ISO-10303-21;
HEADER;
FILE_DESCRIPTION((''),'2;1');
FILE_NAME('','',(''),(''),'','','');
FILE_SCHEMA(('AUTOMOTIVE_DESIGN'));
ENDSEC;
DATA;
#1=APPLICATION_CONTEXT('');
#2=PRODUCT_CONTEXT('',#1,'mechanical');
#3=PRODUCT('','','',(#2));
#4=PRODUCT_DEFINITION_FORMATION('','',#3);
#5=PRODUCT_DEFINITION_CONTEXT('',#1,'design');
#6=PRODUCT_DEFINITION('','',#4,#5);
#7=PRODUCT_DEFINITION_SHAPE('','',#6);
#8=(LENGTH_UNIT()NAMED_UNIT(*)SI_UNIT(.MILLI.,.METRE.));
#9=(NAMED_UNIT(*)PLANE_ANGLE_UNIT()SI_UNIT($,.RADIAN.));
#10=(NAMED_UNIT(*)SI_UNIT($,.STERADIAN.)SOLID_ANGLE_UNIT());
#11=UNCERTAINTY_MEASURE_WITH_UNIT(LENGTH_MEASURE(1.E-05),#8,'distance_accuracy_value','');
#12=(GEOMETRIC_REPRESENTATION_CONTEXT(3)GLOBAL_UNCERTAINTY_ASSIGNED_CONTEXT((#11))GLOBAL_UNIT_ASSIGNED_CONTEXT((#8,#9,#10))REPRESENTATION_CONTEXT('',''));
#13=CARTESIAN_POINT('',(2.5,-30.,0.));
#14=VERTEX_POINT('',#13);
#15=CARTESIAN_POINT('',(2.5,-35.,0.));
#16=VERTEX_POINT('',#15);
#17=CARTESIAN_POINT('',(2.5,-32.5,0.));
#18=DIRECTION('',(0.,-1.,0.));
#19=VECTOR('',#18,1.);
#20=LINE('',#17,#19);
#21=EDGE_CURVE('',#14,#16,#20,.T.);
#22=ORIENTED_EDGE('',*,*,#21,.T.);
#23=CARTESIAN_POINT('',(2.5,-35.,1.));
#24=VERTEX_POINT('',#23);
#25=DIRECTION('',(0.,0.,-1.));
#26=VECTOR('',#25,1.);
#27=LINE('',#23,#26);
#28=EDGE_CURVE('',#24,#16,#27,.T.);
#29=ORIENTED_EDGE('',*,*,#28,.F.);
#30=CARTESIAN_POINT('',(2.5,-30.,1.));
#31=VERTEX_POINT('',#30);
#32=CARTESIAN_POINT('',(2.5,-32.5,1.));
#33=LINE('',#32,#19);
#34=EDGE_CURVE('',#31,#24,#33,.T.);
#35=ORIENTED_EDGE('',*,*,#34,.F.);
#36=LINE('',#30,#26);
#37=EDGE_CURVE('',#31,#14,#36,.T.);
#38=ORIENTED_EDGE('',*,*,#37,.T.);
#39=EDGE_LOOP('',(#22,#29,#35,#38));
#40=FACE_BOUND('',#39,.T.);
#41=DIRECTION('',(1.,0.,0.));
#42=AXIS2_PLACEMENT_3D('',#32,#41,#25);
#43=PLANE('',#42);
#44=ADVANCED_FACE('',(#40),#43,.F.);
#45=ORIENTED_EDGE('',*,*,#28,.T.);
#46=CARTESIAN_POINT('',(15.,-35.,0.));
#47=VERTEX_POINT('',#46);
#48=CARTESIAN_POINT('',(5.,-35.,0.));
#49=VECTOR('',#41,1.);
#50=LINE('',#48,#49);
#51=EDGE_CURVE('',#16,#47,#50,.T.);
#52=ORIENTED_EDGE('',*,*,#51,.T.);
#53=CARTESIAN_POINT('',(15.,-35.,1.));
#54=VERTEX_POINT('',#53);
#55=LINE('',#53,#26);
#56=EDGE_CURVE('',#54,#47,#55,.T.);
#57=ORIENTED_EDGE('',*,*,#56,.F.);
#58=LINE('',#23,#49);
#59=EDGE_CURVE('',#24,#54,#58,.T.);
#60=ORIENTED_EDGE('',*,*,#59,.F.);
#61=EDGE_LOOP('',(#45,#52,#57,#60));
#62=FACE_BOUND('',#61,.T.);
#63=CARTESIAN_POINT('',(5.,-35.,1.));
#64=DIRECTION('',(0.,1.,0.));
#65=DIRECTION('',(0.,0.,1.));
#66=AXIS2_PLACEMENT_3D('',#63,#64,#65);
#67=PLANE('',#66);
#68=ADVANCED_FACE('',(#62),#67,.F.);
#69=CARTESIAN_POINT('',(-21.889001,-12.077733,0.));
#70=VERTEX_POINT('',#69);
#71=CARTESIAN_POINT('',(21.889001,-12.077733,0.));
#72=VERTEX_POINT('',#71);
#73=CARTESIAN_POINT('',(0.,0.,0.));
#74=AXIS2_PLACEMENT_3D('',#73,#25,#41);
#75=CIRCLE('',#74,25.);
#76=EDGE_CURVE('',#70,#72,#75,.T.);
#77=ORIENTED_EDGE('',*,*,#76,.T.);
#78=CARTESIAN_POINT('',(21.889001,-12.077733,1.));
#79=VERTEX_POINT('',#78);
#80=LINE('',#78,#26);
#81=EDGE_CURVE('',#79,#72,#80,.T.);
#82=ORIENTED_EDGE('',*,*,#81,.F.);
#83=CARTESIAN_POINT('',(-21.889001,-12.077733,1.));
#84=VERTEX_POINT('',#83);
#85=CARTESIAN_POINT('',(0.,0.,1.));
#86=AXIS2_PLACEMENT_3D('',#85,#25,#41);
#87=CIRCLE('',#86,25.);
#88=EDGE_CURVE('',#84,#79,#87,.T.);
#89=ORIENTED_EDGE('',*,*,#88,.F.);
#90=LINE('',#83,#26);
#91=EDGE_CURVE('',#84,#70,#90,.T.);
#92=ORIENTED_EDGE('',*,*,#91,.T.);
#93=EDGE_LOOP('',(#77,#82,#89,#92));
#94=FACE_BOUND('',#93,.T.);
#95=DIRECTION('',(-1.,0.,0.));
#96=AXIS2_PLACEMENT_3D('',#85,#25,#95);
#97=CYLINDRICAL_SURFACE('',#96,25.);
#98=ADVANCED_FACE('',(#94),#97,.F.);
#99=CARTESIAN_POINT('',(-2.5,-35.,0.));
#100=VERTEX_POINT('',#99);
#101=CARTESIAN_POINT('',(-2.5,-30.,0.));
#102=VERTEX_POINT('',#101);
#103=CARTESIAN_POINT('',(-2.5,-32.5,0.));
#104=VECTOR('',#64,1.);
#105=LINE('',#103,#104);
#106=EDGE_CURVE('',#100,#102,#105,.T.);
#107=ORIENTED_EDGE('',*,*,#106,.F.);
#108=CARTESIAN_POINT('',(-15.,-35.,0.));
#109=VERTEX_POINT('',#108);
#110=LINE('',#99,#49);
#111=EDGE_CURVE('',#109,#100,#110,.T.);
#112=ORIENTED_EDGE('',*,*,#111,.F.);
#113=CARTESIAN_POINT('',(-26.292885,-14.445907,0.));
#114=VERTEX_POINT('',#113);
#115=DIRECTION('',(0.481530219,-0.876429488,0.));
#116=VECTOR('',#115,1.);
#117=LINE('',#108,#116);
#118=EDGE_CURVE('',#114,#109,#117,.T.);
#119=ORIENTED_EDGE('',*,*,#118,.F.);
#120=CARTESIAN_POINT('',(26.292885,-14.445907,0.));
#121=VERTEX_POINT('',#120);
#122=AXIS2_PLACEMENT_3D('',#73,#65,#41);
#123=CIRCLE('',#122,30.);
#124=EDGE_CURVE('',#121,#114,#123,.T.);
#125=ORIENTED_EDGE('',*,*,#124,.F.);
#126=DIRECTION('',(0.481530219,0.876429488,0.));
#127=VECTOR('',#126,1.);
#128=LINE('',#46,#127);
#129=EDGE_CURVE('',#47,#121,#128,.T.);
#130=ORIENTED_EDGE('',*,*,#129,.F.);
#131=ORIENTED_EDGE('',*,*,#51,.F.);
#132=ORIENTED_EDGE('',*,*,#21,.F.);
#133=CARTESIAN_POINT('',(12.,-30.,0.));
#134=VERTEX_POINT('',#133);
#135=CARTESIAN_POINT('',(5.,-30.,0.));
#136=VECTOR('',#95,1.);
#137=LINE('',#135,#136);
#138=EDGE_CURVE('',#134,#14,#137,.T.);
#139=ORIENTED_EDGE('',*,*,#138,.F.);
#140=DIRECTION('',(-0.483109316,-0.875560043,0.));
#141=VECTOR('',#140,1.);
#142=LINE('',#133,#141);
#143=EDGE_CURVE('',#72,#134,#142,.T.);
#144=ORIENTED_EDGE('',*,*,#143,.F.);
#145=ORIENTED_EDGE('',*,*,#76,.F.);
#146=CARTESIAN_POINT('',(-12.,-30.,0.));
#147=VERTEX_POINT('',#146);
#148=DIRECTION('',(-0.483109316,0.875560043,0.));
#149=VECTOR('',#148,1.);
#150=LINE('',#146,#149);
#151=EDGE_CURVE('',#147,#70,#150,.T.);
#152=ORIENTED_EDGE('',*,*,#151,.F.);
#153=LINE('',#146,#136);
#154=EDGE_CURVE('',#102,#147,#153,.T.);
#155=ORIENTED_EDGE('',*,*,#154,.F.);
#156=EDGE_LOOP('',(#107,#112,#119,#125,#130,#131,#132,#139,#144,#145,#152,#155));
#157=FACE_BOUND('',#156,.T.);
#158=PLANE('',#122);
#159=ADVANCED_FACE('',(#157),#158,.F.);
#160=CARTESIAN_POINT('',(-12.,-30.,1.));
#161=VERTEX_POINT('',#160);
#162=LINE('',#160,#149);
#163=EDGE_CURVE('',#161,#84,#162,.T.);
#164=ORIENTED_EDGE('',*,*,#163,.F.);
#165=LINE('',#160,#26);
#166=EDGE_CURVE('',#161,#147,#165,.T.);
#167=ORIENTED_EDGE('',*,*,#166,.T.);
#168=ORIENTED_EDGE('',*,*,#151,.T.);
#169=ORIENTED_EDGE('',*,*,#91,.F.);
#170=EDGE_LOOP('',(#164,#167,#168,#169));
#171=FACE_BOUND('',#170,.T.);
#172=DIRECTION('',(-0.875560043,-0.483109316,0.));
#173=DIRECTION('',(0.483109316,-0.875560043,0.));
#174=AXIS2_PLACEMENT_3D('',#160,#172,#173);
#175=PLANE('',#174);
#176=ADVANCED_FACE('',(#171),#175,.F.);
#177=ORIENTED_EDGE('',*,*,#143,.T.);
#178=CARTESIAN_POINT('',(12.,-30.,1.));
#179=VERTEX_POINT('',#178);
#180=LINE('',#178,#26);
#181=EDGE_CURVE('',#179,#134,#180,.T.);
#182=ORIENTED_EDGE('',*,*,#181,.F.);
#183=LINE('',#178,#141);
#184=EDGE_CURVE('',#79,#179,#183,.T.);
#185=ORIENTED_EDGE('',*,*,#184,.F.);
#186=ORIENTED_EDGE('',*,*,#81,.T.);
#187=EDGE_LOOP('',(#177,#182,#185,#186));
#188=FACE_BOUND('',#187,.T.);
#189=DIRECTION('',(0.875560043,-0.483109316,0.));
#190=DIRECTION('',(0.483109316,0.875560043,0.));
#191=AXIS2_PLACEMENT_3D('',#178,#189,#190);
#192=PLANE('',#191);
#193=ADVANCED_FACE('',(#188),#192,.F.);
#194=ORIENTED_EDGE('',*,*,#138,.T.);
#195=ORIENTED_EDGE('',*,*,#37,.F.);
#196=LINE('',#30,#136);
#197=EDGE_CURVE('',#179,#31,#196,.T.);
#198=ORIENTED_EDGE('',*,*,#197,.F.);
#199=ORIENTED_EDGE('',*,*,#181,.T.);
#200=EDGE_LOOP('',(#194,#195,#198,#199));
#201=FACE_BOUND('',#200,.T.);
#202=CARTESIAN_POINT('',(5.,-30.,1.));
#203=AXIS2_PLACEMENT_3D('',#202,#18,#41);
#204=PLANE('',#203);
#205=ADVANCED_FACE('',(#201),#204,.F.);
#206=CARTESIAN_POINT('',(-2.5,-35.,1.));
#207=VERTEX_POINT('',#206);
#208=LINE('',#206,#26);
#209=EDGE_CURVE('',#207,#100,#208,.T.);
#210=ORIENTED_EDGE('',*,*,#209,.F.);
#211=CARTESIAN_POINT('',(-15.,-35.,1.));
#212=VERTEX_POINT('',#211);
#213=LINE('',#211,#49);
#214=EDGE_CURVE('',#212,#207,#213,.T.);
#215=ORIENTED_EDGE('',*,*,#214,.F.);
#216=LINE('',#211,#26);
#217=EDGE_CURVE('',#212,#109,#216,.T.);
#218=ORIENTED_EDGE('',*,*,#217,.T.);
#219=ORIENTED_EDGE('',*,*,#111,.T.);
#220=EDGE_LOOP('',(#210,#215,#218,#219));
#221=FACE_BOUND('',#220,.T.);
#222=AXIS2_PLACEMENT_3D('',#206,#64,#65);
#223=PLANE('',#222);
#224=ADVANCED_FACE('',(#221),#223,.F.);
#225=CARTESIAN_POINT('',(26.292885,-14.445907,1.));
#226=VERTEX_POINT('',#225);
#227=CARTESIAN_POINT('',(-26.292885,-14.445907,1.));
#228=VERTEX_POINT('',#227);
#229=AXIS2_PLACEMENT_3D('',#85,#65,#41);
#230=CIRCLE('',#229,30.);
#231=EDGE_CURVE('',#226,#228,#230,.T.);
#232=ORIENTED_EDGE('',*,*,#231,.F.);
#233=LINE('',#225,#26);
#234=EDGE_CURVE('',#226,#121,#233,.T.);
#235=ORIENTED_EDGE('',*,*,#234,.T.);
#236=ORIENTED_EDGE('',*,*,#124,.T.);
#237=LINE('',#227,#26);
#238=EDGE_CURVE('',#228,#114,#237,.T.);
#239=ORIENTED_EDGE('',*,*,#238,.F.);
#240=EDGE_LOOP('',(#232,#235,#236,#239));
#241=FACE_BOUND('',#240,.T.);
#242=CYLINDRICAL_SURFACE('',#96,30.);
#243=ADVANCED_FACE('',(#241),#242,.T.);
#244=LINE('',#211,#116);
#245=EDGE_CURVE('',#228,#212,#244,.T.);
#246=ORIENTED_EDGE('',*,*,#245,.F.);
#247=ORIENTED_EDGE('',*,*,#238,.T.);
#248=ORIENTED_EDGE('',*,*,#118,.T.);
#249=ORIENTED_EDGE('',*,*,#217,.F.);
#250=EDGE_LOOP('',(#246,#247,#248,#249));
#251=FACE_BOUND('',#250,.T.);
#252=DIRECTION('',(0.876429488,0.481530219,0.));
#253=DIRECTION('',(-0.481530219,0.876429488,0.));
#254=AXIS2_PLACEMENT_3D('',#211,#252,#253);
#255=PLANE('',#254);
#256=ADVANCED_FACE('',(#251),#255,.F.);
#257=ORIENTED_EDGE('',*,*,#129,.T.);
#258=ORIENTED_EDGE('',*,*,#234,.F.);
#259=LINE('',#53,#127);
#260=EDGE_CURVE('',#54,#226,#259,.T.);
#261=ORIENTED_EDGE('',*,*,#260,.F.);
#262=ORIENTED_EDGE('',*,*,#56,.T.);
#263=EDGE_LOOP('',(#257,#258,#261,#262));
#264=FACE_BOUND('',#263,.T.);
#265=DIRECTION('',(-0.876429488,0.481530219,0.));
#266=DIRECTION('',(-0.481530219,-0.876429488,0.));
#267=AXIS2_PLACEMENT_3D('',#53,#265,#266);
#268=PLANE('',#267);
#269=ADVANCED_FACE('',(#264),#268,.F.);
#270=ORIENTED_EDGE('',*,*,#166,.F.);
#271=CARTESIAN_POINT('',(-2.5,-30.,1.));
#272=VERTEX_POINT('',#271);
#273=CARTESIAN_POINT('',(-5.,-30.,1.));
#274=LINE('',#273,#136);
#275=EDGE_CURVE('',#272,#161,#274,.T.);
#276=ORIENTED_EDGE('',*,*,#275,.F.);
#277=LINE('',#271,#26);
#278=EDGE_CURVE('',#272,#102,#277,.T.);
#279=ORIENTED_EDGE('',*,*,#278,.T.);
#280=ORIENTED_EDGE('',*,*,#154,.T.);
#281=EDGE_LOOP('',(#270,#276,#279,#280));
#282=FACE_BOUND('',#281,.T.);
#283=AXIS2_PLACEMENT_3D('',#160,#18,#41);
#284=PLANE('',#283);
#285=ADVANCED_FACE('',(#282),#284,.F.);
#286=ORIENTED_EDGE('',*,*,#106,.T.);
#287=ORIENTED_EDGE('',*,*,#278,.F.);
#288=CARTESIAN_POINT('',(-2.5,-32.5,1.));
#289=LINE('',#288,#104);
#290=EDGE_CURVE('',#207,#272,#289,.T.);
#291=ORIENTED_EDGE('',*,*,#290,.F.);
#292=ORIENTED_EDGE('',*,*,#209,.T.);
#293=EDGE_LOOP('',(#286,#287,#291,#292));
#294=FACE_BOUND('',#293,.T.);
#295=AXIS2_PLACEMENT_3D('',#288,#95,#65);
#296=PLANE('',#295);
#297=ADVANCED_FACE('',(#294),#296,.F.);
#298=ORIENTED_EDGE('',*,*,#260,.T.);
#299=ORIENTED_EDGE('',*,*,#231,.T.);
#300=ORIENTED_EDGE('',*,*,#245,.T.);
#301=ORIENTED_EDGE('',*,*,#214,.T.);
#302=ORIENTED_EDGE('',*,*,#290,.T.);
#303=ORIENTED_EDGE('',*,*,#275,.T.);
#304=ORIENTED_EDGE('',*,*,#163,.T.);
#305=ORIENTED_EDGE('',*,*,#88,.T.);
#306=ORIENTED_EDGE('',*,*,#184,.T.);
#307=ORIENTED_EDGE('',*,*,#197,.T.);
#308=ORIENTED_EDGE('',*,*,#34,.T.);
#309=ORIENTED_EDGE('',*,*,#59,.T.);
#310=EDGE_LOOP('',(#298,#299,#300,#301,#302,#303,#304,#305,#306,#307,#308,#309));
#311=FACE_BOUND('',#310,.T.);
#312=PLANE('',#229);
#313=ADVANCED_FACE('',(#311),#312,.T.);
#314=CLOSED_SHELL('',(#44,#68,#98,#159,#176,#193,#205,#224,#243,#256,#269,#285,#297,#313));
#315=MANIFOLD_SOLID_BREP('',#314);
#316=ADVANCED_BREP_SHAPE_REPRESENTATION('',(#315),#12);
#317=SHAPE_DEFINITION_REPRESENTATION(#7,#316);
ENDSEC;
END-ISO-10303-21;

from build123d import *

# Parameters (mm, degrees)
RESSALTO_EXTRUS_O3_DEPTH = 1


with BuildPart() as part:
    # Esboço1 → Ressalto-extrusão3 (new body)
    with BuildSketch(Plane.XY):
        with BuildLine():
            Line((5, -35), (15, -35))
            Line((15, -35), (26.292884648, -14.44590658))
            ThreePointArc((26.292884648, -14.44590658), (0, 30), (-26.292884648, -14.44590658))
            Line((-26.292884648, -14.44590658), (-15, -35))
            Line((-15, -35), (-5, -35))
            Line((-5, -35), (-2.5, -35))
            Line((-2.5, -35), (-2.5, -32.5))
            Line((-2.5, -32.5), (-2.5, -30))
            Line((-2.5, -30), (-5, -30))
            Line((-5, -30), (-12, -30))
            Line((-12, -30), (-21.889001071, -12.077732905))
            ThreePointArc((-21.889001071, -12.077732905), (0, 25), (21.889001071, -12.077732905))
            Line((21.889001071, -12.077732905), (12, -30))
            Line((12, -30), (5, -30))
            Line((5, -30), (2.5, -30))
            Line((2.5, -30), (2.5, -32.5))
            Line((2.5, -32.5), (2.5, -35))
            Line((2.5, -35), (5, -35))
        make_face()
    extrude(amount=RESSALTO_EXTRUS_O3_DEPTH)


solid = part.part
